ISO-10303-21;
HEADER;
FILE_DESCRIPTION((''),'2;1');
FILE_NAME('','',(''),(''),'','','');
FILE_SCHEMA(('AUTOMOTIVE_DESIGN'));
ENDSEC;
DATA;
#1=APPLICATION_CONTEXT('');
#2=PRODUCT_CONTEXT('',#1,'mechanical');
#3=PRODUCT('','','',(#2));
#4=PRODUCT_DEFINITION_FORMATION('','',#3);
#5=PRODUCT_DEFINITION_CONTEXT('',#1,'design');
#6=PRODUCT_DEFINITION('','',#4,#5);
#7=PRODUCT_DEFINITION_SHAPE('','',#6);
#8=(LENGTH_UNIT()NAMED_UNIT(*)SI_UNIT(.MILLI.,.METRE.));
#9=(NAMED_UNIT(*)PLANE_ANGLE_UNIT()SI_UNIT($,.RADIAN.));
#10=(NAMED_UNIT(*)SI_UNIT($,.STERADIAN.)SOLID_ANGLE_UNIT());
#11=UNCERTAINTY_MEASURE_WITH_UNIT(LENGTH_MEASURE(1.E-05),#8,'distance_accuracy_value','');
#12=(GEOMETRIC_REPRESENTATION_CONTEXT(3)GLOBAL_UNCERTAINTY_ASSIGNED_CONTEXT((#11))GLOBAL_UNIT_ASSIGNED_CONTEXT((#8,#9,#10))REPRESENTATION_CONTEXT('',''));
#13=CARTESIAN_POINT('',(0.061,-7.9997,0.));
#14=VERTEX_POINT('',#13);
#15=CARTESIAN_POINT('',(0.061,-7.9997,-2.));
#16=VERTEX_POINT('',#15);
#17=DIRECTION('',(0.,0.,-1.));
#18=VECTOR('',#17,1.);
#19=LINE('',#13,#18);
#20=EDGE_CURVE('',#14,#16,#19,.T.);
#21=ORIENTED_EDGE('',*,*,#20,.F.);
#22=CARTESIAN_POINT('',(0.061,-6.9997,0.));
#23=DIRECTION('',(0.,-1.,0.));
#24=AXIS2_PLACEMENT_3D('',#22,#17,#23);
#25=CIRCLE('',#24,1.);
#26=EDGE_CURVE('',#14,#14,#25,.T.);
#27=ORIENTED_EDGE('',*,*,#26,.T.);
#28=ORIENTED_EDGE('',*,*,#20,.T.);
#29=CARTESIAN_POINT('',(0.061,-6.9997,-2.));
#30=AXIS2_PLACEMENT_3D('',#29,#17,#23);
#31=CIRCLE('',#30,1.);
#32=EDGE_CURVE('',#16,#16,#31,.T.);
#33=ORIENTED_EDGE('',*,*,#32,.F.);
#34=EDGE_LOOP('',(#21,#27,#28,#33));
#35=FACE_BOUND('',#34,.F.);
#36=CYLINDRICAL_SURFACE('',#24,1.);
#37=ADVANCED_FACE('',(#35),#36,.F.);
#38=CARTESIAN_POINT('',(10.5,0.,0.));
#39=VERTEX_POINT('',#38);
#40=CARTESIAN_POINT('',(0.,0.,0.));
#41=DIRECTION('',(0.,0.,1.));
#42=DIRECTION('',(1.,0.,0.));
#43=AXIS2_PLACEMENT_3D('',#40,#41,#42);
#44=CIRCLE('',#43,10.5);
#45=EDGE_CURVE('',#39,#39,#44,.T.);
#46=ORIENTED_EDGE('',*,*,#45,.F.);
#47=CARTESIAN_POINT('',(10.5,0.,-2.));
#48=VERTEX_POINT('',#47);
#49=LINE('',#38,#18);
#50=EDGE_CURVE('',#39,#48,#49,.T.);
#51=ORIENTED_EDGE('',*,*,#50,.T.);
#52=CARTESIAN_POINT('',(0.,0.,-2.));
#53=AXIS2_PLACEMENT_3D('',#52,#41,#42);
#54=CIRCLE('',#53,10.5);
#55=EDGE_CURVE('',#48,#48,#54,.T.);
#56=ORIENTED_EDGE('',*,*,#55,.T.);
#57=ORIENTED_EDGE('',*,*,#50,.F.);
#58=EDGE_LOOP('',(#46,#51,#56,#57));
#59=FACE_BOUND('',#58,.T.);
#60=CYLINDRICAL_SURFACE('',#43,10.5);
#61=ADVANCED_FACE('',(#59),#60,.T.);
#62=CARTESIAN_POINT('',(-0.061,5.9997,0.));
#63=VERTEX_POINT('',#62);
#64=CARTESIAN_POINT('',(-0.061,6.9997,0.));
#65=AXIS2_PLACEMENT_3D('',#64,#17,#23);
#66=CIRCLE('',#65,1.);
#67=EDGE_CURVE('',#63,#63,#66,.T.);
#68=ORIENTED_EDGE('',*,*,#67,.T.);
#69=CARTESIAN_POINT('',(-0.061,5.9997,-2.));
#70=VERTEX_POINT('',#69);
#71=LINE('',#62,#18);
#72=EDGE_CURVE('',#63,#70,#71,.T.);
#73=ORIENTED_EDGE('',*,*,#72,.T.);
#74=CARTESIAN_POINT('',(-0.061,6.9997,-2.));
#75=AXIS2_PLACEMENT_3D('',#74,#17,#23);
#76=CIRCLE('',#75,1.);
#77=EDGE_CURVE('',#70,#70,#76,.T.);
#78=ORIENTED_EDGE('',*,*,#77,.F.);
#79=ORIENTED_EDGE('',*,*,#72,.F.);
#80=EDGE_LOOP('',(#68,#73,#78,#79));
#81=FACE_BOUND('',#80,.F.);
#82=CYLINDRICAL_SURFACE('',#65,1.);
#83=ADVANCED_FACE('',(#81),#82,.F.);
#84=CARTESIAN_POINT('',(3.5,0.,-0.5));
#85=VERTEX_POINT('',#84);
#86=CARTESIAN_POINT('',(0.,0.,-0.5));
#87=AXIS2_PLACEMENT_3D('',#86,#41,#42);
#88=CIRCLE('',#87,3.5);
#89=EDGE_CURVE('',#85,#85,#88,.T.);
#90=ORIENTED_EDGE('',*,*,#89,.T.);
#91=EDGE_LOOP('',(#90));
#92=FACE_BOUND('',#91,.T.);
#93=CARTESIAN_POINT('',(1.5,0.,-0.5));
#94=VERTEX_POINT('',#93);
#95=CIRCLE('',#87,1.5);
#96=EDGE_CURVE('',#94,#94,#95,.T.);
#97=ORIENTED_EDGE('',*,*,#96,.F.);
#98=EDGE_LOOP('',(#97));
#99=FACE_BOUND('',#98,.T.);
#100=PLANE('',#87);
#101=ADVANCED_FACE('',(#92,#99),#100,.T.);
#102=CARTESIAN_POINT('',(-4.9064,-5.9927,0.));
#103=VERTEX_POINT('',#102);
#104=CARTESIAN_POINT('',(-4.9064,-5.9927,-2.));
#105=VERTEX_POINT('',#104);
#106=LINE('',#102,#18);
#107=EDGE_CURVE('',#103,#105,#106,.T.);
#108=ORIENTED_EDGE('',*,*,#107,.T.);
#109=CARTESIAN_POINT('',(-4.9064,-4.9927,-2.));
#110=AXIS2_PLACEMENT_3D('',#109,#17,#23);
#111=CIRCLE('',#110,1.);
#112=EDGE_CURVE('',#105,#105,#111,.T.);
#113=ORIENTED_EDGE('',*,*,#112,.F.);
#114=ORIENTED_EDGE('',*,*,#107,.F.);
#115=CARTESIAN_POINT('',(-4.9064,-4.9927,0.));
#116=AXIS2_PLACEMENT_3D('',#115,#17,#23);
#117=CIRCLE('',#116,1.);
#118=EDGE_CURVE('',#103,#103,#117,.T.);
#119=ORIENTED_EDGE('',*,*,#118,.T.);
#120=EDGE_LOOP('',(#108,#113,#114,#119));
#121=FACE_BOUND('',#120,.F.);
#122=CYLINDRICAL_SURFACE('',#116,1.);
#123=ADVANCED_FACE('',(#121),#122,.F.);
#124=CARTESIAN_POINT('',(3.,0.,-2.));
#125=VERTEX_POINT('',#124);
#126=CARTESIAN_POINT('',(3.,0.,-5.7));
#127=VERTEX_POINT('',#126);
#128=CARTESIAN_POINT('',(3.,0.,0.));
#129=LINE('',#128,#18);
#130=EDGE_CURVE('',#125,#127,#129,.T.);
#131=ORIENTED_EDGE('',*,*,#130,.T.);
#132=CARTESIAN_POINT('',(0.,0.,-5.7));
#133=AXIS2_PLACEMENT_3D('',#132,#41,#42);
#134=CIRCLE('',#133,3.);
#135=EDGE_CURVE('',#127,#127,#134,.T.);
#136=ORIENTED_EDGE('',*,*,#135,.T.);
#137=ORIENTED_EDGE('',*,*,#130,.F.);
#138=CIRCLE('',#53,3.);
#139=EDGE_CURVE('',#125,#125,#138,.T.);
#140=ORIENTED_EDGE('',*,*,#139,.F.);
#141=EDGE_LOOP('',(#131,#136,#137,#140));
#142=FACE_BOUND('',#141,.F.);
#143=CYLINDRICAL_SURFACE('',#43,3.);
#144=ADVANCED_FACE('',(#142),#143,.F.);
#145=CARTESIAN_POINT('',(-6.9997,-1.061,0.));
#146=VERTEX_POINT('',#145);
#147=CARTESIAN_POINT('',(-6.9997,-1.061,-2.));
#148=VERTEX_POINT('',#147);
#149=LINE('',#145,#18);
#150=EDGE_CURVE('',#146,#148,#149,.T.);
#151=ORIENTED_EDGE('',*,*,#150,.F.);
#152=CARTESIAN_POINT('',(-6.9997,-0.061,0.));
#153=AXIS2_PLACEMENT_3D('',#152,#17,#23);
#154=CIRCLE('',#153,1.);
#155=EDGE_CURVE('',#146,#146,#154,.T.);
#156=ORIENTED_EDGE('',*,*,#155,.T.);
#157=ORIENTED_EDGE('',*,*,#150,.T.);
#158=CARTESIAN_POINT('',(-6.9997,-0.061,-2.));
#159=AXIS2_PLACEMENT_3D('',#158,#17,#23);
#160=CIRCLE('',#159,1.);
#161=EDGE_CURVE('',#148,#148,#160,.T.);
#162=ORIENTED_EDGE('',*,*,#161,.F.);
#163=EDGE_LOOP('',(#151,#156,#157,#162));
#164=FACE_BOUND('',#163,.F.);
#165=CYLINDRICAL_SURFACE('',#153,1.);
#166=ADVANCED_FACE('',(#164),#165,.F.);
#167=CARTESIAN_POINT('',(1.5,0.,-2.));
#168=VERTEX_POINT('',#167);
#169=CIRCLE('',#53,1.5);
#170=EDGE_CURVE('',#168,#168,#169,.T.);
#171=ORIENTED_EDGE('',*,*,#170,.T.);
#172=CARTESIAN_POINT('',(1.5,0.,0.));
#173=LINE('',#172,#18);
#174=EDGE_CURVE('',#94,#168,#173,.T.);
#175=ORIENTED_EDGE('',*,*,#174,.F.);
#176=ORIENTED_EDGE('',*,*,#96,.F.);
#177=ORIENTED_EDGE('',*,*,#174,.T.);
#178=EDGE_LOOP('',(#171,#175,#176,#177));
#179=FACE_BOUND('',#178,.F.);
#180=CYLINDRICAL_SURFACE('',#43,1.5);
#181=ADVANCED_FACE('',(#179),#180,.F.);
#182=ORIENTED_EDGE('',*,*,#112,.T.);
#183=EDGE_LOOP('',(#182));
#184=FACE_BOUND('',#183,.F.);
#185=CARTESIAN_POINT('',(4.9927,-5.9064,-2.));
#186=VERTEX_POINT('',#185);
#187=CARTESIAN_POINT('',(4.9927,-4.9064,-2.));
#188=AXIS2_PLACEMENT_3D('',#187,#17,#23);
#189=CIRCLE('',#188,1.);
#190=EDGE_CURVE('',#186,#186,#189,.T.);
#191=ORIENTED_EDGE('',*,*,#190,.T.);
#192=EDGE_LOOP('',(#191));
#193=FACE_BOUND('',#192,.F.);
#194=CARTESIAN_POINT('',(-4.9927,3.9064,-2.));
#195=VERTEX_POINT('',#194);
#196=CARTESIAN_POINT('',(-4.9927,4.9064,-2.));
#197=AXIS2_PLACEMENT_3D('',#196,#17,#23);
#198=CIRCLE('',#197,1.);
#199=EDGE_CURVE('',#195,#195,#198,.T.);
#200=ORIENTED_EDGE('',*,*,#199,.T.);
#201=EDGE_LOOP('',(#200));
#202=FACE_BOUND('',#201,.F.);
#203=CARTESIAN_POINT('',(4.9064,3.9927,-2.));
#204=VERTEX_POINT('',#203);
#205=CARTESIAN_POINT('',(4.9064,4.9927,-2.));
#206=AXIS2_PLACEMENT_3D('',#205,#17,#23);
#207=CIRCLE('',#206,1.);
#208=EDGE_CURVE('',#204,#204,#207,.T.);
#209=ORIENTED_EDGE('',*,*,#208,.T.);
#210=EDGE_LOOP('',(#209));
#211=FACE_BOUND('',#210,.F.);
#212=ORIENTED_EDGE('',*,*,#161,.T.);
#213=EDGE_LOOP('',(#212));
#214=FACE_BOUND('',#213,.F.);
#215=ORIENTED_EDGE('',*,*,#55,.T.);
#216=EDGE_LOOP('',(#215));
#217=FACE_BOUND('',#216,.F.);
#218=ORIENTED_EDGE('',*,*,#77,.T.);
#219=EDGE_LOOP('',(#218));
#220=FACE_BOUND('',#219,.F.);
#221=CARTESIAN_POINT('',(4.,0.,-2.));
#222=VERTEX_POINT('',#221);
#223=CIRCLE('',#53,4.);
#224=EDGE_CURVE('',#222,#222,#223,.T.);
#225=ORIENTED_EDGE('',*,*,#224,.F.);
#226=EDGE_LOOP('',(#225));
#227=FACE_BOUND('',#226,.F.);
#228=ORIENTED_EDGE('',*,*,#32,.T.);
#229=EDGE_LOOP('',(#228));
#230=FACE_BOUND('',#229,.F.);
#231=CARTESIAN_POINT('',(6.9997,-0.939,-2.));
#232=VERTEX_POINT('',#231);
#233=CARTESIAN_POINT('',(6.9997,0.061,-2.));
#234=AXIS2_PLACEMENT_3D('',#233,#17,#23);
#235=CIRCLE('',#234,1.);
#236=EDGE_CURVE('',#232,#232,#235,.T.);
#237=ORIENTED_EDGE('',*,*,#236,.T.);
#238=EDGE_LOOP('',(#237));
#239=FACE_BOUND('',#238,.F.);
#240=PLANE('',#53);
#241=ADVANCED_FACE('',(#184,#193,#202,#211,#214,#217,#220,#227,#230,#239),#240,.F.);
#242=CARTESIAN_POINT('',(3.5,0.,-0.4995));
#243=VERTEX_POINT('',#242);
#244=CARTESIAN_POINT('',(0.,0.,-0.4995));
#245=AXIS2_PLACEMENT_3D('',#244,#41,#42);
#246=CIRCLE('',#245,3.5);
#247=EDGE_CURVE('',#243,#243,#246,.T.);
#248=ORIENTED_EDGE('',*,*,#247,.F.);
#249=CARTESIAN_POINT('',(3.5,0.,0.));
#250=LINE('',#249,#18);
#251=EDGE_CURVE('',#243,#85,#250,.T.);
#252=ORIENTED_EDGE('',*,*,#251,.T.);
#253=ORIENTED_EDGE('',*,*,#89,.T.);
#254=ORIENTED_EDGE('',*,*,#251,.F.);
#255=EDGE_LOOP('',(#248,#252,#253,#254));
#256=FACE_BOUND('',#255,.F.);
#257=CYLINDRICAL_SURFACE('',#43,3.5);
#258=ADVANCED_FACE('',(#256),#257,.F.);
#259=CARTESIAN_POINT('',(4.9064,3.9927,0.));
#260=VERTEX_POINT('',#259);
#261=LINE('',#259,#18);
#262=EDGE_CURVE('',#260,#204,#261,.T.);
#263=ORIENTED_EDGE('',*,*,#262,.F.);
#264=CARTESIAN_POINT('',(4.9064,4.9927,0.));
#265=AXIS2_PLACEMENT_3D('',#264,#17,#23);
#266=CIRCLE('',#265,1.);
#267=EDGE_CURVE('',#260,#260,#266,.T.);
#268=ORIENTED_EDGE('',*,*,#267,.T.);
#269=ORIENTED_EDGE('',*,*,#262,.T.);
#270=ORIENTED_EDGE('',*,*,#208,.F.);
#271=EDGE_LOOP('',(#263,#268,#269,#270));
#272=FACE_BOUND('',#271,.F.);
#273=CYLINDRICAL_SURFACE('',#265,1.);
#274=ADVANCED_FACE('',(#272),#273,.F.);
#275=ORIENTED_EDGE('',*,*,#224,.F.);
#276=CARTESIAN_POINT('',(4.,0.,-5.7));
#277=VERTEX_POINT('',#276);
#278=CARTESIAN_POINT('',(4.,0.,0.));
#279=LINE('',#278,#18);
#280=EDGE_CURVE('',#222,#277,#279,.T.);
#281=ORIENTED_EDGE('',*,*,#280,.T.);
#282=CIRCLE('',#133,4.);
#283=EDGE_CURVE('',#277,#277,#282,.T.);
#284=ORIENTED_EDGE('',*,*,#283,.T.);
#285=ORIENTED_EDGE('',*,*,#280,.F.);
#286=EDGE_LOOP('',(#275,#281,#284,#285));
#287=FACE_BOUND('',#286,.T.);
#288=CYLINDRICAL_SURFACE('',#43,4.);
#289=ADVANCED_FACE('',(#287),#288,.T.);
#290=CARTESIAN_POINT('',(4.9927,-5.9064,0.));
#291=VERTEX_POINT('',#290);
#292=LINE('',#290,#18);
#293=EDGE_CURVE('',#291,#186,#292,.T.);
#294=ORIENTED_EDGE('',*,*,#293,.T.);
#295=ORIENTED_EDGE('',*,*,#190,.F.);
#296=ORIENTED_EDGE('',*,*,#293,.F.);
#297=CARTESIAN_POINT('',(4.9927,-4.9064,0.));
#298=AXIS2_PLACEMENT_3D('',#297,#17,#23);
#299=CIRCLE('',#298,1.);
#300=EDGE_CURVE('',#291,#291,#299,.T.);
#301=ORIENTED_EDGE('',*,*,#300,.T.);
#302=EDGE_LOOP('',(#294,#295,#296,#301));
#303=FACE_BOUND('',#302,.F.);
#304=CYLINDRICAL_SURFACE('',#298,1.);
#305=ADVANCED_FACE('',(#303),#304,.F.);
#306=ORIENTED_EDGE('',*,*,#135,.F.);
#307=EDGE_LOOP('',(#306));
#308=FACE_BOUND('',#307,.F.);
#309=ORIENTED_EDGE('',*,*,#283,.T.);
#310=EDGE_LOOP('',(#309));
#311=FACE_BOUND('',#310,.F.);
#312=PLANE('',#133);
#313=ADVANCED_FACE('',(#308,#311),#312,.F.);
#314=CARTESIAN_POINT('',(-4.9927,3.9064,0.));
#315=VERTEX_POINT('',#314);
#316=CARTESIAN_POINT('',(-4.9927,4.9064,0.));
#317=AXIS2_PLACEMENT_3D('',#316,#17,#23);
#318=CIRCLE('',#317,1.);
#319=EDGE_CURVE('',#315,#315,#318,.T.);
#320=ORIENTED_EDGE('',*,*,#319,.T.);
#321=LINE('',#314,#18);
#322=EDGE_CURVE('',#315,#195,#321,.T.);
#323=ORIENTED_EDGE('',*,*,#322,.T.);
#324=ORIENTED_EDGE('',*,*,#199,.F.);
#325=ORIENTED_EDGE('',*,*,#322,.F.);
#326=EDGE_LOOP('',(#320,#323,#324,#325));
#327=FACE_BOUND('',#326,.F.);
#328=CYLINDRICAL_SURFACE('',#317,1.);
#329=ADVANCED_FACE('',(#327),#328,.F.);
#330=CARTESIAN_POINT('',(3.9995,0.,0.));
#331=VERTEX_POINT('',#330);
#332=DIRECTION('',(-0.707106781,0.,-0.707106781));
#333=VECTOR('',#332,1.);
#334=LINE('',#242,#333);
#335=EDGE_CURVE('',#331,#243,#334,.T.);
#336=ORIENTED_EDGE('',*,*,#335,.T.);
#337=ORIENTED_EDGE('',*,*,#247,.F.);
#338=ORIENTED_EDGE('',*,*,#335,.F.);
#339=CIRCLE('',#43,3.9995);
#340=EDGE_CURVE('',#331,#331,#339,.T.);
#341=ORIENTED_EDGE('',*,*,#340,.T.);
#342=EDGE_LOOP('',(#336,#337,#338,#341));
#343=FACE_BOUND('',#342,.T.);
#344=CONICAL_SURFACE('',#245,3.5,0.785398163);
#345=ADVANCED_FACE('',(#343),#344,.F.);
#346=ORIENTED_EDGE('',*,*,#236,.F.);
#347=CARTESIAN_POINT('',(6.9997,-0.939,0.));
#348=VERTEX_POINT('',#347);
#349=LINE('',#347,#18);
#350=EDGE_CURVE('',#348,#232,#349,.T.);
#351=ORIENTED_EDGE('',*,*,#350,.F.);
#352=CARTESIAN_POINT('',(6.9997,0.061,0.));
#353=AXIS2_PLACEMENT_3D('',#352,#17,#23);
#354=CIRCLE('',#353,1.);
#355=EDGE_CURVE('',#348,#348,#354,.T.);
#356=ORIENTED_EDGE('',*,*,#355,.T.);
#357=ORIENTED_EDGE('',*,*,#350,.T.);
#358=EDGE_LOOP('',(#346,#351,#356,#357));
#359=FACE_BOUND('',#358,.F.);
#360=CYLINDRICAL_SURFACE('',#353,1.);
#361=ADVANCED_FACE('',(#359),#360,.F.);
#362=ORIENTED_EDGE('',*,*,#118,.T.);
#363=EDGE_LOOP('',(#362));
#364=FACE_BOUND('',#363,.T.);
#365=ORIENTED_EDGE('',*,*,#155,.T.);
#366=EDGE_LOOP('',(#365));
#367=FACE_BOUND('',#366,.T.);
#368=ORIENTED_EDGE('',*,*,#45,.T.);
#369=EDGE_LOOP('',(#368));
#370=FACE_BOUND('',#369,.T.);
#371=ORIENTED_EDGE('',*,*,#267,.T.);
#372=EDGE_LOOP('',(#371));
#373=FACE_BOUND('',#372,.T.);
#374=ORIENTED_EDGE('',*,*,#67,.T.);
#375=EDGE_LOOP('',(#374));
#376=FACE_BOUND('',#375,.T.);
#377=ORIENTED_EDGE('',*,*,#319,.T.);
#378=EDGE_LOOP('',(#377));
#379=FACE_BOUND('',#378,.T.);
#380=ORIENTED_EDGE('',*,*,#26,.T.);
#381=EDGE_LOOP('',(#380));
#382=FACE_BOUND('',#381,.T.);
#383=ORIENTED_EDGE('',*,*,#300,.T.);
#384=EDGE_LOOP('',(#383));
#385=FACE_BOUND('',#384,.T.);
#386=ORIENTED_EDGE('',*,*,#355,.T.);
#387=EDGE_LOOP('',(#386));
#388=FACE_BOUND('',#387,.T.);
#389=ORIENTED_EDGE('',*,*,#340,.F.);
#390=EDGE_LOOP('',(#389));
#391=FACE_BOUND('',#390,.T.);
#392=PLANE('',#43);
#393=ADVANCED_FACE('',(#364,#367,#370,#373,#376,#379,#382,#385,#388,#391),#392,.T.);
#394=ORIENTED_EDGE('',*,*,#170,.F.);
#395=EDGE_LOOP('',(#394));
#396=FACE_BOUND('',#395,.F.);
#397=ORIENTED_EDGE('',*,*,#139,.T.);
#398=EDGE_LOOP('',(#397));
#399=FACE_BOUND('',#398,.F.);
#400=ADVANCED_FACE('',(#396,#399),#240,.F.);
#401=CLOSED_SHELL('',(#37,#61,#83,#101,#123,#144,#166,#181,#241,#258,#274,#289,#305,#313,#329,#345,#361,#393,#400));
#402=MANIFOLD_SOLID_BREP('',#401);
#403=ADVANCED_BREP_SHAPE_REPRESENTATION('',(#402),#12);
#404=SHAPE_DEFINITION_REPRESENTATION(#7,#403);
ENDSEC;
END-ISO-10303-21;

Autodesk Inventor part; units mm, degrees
ref_plane "YZ Plane" through (0, 0, 0) normal (1, 0, 0) x (0, 1, 0)
ref_plane "XZ Plane" through (0, 0, 0) normal (0, 1, 0) x (-1, 0, 0)
ref_plane "XY Plane" through (0, 0, 0) normal (0, 0, 1) x (1, 0, 0)
sketch "スケッチ1" plane through (0, 0, 0) normal (0, 0, 1) x (1, 0, 0)
  circle A0 centre (0, 0) radius 10.5
  circle A1 centre (0, 0) radius 3.5
  circle A2 centre (0, 0) radius 7 construction
  circle A3 centre (0, 0) radius 7 construction
  circle A4 centre (0, 0) radius 7 construction
  circle A5 centre (0, 0) radius 7 construction
  circle A6 centre (0, 0) radius 7 construction
  circle A7 centre (0, 0) radius 7 construction
  circle A8 centre (0, 0) radius 7 construction
  circle A9 centre (0, 0) radius 7 construction
  circle A10 centre (0, 0) radius 4
  circle A11 centre (0, 0) radius 1.5
  circle A12 centre (0, 0) radius 3
  point P0 (-0.061, 6.9997)
  point P1 (-4.9927, 4.9064)
  point P2 (-6.9997, -0.061)
  point P3 (-4.9064, -4.9927)
  point P4 (0.061, -6.9997)
  point P5 (4.9927, -4.9064)
  point P6 (6.9997, 0.061)
  point P7 (4.9064, 4.9927)
  dimension "d2" = 14
  dimension "d0" = 21
  dimension "d1" = 7
  dimension "d5" = 360
  dimension "d7" = 8
  dimension "d8" = 3
  dimension "d11" = 6
extrude "押し出し1" add sketch "スケッチ1" against normal blind 2 contours A0 | A1 | A10 | A12
extrude "押し出し2" add sketch "スケッチ1" against normal blind 5.7 contours A1 | A10
extrude "押し出し3" cut sketch "スケッチ1" against normal blind 0.5 contours A1 | A12
chamfer "面取り1" distance 0.5 angle 45 1 edges at (-3.5, 0, 0)
hole "穴1" at (-0.061, 6.9997, 0) at (-4.9927, 4.9064, 0) at (-6.9997, -0.061, 0) at (-4.9064, -4.9927, 0) at (0.061, -6.9997, 0) at (4.9927, -4.9064, 0) at (6.9997, 0.061, 0) at (4.9064, 4.9927, 0) direction (0, 0, -1) diameter 2 end through all
sketch "スケッチ2" plane through (0, 0, 0) normal (0, 0, 1) x (1, 0, 0)
  circle A0 centre (4.9064, 4.9927) radius 1 projected
  circle A1 centre (6.9997, 0.061) radius 1 projected
  circle A2 centre (4.9927, -4.9064) radius 1 projected
  circle A3 centre (0.061, -6.9997) radius 1 projected
  circle A4 centre (-4.9064, -4.9927) radius 1 projected
  circle A5 centre (-6.9997, -0.061) radius 1 projected
  circle A6 centre (-4.9927, 4.9064) radius 1 projected
  circle A7 centre (-0.061, 6.9997) radius 1 projected
  circle A8 centre (0, 0) radius 10.5 projected
  circle A9 centre (0, 0) radius 4 projected
  circle A10 centre (0, 0) radius 8
  circle A11 centre (-0.061, 6.9997) radius 1 projected
  dimension "d26" = 16
properties part number "servohorn_zegi" material "アルミニウム 6061-AHC"
